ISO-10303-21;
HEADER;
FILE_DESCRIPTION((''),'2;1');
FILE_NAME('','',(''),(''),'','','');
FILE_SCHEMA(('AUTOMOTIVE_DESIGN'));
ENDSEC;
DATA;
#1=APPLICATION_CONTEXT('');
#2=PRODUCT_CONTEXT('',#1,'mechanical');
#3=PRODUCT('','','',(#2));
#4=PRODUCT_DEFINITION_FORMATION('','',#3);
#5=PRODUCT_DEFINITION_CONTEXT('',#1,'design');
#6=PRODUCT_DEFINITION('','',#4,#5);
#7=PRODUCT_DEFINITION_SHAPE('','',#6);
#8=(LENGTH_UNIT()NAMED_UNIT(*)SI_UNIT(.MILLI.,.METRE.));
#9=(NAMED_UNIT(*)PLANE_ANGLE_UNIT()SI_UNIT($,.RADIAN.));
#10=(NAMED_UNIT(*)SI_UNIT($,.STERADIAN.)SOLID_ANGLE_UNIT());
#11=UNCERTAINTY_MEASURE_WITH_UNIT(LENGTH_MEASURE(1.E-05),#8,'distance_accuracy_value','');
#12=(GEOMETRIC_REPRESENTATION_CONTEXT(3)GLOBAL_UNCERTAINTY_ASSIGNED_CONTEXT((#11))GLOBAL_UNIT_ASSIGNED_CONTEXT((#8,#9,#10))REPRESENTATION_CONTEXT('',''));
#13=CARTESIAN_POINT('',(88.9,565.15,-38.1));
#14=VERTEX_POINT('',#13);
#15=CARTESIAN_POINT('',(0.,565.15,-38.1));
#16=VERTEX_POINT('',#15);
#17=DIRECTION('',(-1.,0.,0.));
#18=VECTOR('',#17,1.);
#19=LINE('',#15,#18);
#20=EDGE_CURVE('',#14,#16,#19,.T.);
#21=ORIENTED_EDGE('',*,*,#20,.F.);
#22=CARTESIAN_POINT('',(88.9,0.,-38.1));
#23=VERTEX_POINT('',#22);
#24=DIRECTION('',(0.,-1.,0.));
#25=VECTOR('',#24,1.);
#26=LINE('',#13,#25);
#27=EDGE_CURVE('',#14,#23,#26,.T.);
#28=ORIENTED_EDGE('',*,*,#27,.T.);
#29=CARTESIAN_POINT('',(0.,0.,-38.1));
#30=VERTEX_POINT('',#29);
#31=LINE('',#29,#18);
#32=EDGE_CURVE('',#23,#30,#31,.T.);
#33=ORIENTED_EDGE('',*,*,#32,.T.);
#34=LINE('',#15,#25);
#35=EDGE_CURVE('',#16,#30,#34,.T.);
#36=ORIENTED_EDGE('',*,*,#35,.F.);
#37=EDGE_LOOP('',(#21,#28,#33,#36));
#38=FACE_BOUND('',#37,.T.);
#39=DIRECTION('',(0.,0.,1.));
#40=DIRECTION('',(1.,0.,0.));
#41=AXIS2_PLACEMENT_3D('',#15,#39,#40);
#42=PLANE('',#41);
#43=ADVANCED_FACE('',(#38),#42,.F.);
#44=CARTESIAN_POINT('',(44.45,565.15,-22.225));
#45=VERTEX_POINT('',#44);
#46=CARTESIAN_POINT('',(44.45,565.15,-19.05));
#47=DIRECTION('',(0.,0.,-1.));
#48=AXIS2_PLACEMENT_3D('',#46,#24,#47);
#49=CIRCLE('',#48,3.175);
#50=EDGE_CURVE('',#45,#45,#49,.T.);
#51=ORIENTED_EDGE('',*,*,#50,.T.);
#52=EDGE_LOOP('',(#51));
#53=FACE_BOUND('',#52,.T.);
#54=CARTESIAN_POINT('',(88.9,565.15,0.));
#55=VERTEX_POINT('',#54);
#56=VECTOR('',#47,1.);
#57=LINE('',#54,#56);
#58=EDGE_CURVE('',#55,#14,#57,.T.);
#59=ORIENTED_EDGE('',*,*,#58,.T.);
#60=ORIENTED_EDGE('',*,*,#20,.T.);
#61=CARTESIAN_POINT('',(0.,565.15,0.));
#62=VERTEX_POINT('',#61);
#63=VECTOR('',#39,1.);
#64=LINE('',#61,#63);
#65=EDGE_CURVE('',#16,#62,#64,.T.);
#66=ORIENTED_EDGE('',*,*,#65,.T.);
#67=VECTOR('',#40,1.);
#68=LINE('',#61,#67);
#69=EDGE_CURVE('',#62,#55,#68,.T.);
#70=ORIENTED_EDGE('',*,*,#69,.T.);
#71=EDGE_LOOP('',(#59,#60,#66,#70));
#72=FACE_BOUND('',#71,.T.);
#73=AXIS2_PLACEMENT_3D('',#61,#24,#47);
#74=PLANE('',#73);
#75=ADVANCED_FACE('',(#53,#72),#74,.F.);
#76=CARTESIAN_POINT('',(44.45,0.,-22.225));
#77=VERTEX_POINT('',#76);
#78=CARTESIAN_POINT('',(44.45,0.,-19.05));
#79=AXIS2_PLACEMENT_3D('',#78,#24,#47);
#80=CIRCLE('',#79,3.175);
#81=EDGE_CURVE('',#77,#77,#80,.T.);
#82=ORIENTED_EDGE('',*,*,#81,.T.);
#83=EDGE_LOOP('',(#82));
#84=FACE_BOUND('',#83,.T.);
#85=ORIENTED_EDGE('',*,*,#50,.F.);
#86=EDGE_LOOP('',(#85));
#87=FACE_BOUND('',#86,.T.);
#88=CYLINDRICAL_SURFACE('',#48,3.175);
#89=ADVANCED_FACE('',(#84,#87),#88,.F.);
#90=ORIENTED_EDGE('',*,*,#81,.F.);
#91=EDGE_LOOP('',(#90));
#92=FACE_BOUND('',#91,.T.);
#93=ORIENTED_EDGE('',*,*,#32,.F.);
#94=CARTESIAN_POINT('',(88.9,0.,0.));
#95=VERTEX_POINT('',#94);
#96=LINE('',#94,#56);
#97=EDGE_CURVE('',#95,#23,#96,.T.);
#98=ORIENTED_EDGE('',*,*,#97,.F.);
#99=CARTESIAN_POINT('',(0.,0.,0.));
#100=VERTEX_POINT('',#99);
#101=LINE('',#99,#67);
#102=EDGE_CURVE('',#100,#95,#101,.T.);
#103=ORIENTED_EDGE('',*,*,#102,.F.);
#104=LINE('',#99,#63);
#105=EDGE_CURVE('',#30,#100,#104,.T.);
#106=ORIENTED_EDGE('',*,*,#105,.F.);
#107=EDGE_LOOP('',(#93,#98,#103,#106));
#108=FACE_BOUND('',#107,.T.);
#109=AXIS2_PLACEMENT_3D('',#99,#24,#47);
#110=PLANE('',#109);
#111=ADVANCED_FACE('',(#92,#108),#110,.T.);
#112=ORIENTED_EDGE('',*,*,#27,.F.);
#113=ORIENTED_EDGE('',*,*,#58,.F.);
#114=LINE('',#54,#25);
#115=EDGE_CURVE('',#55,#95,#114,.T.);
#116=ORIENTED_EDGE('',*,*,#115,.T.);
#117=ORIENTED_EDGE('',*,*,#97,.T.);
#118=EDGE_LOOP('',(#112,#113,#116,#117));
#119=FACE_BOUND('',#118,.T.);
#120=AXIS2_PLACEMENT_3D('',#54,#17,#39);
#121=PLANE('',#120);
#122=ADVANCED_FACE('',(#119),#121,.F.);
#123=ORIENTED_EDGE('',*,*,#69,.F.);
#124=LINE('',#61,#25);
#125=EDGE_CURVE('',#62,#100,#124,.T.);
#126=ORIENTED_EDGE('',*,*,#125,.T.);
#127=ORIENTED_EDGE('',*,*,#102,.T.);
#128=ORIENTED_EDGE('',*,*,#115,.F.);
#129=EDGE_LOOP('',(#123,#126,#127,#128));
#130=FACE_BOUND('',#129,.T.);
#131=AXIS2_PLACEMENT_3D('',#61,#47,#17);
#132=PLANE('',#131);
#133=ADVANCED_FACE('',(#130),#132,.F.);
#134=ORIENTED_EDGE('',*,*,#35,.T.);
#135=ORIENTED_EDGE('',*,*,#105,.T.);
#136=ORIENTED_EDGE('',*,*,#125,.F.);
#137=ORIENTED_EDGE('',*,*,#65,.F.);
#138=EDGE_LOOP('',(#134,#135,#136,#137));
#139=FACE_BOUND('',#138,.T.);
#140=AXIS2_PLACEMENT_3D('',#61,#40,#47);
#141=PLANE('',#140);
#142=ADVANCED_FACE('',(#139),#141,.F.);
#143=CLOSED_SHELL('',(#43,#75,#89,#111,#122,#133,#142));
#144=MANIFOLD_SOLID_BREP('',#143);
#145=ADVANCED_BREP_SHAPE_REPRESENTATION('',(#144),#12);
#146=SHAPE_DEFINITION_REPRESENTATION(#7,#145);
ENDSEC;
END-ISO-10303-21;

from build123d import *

# Parameters (mm, degrees)
SKETCH1_W           = 88.9
SKETCH1_H           = 38.1
BOSS_EXTRUDE1_DEPTH = 565.15
SKETCH2_R           = 3.175
CUT_EXTRUDE1_DEPTH  = 565.15


with BuildPart() as part:
    # Sketch1 → Boss-Extrude1 (new body)
    with BuildSketch(Plane(origin=(0, 0, 0), x_dir=(1, 0, 0), z_dir=(0, 1, 0))):
        with Locations((44.45, 19.05)):
            Rectangle(SKETCH1_W, SKETCH1_H)
    extrude(amount=BOSS_EXTRUDE1_DEPTH)

    # Sketch2 → Cut-Extrude1 (cut)
    with BuildSketch(Plane(origin=(0, 0, 0), x_dir=(-1, 0, 0), z_dir=(0, -1, 0))):
        with Locations(Location((-44.45, 19.05, 0), (0, 0, 90))):
            Circle(SKETCH2_R)
    extrude(amount=-CUT_EXTRUDE1_DEPTH, mode=Mode.SUBTRACT)


solid = part.part
